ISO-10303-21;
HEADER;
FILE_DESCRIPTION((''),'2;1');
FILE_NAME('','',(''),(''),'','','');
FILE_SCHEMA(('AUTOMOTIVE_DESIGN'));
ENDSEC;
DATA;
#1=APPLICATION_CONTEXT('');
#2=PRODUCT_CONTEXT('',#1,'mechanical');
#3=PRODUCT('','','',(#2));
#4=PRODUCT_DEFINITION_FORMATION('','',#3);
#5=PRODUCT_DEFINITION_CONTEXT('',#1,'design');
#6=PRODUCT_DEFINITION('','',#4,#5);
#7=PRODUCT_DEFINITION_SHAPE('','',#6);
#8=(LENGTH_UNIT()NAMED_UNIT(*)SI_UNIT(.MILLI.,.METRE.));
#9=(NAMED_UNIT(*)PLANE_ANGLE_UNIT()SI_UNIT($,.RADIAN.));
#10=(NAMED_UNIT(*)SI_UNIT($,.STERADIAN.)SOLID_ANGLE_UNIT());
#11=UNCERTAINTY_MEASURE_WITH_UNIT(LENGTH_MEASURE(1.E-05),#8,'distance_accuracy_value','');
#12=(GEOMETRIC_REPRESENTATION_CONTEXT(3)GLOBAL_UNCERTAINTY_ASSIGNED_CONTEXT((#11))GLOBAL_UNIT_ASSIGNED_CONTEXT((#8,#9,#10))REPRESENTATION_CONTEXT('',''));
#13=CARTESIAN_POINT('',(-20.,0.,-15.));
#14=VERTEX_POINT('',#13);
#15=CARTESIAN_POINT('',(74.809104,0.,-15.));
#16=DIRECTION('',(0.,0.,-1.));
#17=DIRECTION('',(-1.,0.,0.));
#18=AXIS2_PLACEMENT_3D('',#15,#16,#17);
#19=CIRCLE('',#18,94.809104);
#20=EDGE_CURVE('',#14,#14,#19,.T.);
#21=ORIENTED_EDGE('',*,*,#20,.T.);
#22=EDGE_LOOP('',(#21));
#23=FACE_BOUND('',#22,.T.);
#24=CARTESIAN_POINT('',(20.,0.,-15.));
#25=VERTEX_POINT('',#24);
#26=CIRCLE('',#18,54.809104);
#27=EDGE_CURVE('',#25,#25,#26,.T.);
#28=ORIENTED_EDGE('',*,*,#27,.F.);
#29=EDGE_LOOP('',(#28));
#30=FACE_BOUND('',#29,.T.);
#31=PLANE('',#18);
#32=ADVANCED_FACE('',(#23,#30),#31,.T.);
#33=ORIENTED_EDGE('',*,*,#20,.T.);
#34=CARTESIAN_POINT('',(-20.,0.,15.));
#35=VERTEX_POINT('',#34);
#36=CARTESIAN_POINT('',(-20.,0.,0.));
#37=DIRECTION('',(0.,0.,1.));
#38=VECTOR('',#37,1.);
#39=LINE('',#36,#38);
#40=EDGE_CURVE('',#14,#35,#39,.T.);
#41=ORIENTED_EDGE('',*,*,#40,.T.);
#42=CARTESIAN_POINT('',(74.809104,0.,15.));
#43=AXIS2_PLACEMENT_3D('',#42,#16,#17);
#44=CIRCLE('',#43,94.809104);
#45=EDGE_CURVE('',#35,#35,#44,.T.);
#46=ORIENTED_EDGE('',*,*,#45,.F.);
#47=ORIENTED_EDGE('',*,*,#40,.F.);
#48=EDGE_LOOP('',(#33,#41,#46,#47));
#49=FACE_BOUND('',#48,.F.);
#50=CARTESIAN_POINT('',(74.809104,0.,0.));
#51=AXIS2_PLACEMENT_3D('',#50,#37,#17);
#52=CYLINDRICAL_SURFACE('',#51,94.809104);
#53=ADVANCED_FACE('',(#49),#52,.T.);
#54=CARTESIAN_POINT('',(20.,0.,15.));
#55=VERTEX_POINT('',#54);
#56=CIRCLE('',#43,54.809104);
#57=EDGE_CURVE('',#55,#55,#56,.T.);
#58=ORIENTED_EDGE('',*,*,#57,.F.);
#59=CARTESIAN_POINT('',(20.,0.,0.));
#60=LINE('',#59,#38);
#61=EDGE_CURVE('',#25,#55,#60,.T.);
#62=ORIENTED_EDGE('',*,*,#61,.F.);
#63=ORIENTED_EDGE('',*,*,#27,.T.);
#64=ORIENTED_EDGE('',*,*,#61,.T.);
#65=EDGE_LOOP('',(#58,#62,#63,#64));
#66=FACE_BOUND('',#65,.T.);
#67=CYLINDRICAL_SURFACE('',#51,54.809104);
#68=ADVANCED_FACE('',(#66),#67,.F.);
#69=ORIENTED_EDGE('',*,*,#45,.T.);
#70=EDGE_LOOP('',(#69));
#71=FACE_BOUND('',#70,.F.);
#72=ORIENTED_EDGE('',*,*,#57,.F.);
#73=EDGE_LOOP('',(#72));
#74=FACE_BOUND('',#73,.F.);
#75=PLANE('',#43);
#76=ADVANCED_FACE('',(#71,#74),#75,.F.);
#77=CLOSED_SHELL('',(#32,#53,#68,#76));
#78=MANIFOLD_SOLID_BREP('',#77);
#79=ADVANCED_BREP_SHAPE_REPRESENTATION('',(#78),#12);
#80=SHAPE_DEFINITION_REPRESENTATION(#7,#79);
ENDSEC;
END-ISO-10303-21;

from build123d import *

# Parameters (mm, degrees)
F0_W = 40
F0_H = 30


with BuildPart() as f2:
    # F0 (on Front) → F2 (revolve)
    with BuildSketch(Plane.XZ):
        Rectangle(F0_W, F0_H)
    revolve(axis=Axis((74.809104, 0, -2.989646), (0, 0, -1)))


solid = f2.part
